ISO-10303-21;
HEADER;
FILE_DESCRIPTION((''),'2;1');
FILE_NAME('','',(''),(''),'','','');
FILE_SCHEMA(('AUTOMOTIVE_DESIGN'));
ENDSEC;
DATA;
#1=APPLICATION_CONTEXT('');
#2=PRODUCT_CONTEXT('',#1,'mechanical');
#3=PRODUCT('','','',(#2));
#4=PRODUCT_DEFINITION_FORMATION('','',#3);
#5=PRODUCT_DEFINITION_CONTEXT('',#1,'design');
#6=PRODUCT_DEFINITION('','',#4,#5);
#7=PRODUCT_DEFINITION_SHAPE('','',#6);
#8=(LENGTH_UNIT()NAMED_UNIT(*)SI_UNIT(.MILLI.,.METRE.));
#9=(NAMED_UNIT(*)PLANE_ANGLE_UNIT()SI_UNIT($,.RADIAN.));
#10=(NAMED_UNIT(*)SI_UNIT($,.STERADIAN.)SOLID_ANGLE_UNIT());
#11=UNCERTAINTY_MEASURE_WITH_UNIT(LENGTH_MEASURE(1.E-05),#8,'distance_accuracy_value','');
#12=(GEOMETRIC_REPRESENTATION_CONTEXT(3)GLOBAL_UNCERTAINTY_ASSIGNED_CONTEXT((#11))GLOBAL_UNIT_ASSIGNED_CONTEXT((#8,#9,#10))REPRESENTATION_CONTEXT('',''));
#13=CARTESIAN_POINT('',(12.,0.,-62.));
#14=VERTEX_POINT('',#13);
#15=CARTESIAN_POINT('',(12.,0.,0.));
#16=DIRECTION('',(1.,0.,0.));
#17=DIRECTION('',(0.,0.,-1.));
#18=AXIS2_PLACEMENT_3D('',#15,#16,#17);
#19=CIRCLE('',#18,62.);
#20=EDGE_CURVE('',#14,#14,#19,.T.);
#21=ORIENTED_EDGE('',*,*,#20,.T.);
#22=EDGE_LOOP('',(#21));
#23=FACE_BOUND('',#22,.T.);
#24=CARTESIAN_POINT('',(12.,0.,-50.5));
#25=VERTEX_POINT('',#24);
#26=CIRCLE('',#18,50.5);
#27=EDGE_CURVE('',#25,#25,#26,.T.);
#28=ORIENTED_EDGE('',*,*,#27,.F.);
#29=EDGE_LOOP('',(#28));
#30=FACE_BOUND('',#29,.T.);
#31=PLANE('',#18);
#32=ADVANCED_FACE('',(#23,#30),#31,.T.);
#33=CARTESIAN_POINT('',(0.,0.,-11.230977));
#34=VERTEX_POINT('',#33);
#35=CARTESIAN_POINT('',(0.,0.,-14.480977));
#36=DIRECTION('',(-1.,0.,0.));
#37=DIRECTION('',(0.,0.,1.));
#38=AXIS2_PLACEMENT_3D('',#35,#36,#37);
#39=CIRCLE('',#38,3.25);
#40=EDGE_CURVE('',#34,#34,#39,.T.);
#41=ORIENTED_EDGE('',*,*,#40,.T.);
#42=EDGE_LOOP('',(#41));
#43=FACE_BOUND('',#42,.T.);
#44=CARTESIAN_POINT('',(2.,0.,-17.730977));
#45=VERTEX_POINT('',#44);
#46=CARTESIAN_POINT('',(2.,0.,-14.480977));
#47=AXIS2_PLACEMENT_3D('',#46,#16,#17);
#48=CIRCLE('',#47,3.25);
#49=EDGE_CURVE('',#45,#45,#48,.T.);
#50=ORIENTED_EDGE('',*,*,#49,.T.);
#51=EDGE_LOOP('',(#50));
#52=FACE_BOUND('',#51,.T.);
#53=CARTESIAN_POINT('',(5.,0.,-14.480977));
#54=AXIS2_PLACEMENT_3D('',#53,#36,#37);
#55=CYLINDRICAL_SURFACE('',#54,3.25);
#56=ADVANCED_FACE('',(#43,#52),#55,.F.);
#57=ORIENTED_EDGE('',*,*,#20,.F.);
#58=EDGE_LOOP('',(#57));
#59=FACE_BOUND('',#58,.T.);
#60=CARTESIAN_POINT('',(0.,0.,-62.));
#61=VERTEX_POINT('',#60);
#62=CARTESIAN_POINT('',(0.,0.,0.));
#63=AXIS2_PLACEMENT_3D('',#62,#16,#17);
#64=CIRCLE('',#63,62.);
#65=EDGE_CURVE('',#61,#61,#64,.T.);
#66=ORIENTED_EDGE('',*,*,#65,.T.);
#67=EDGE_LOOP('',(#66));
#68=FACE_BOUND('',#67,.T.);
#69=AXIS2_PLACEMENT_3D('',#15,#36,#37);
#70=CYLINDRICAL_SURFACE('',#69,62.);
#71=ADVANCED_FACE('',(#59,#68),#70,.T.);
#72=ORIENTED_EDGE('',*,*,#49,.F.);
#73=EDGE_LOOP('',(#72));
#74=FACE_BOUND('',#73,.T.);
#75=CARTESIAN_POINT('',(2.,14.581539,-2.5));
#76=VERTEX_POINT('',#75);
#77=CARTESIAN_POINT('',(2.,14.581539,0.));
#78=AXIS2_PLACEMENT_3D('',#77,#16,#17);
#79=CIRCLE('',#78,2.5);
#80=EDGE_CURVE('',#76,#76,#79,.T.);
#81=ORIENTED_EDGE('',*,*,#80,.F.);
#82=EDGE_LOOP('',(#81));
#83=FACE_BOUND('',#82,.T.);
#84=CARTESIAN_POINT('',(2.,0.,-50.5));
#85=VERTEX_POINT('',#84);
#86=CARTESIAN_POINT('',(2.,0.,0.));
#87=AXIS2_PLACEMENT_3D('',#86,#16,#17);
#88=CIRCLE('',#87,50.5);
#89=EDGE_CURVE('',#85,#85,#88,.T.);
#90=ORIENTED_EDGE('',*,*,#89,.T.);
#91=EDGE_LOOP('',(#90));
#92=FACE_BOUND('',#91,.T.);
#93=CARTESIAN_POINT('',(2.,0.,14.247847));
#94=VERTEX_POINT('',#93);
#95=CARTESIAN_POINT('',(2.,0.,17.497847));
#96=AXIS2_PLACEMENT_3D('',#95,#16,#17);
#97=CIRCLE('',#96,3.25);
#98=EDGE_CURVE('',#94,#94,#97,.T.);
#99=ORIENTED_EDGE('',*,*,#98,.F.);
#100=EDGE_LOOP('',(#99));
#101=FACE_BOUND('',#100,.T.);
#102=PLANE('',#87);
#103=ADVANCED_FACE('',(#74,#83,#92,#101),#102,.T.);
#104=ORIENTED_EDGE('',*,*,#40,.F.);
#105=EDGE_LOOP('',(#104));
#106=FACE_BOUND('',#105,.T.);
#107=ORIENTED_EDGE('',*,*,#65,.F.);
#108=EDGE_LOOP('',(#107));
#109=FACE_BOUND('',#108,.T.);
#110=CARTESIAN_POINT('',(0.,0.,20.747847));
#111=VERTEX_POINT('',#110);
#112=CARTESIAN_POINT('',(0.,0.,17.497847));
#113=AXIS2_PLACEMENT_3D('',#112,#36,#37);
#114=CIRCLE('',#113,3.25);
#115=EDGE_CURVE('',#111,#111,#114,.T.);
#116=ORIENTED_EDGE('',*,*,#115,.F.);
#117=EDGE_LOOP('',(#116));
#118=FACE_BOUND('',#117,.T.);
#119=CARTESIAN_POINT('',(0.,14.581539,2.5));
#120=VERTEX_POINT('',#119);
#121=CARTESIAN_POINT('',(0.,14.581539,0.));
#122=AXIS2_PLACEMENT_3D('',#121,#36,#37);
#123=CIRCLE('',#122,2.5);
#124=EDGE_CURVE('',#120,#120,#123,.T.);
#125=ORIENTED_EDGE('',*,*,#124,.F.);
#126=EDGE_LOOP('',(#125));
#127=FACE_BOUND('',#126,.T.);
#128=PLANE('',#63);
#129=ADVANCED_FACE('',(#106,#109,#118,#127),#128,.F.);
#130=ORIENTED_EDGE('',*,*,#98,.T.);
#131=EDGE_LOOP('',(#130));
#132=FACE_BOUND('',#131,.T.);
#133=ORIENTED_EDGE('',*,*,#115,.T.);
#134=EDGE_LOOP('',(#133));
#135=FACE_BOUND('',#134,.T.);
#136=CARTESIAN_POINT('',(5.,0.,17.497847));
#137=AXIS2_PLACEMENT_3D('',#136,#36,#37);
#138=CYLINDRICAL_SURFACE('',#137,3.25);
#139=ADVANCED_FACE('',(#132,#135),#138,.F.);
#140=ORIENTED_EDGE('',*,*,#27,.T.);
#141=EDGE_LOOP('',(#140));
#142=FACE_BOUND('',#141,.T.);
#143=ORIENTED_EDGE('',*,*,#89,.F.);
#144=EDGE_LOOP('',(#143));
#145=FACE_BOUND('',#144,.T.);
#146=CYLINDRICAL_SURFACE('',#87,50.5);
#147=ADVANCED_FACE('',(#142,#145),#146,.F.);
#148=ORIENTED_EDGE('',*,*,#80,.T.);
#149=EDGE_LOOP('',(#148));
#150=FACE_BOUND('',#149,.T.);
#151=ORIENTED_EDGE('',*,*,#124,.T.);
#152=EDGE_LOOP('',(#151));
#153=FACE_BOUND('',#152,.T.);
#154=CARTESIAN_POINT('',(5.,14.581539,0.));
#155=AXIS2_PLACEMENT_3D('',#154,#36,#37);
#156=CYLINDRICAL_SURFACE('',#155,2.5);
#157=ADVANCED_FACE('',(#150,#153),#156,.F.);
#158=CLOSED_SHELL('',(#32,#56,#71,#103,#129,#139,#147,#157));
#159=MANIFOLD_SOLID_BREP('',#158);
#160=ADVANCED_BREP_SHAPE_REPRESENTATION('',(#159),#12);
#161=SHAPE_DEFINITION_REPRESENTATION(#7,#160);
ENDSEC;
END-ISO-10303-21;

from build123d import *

# Parameters (mm, degrees)
SKETCH2_R           = 62
BOSS_EXTRUDE1_DEPTH = 12
SKETCH4_R           = 50.5
CUT_EXTRUDE2_DEPTH  = 10
SKETCH5_R           = 2.5
SKETCH5_R_2         = 3.25
CUT_EXTRUDE3_DEPTH  = 5


with BuildPart() as part:
    # Sketch2 → Boss-Extrude1 (new body)
    with BuildSketch(Plane(origin=(0, 0, 0), x_dir=(0, 0, -1), z_dir=(1, 0, 0))):
        Circle(SKETCH2_R)
    extrude(amount=BOSS_EXTRUDE1_DEPTH)

    # Sketch4 → Cut-Extrude2 (cut)
    with BuildSketch(Plane(origin=(12, 0, 0), x_dir=(0, 0, -1), z_dir=(1, 0, 0))):
        Circle(SKETCH4_R)
    extrude(amount=-CUT_EXTRUDE2_DEPTH, mode=Mode.SUBTRACT)

    # Sketch5 → Cut-Extrude3 (cut)
    with BuildSketch(Plane.ZY):
        with Locations((0, 14.581539196)):
            Circle(SKETCH5_R)
        with Locations((-14.480976857, 0)):
            Circle(SKETCH5_R_2)
        with Locations((17.497847035, 0)):
            Circle(SKETCH5_R_2)
    extrude(amount=-CUT_EXTRUDE3_DEPTH, mode=Mode.SUBTRACT)


solid = part.part
